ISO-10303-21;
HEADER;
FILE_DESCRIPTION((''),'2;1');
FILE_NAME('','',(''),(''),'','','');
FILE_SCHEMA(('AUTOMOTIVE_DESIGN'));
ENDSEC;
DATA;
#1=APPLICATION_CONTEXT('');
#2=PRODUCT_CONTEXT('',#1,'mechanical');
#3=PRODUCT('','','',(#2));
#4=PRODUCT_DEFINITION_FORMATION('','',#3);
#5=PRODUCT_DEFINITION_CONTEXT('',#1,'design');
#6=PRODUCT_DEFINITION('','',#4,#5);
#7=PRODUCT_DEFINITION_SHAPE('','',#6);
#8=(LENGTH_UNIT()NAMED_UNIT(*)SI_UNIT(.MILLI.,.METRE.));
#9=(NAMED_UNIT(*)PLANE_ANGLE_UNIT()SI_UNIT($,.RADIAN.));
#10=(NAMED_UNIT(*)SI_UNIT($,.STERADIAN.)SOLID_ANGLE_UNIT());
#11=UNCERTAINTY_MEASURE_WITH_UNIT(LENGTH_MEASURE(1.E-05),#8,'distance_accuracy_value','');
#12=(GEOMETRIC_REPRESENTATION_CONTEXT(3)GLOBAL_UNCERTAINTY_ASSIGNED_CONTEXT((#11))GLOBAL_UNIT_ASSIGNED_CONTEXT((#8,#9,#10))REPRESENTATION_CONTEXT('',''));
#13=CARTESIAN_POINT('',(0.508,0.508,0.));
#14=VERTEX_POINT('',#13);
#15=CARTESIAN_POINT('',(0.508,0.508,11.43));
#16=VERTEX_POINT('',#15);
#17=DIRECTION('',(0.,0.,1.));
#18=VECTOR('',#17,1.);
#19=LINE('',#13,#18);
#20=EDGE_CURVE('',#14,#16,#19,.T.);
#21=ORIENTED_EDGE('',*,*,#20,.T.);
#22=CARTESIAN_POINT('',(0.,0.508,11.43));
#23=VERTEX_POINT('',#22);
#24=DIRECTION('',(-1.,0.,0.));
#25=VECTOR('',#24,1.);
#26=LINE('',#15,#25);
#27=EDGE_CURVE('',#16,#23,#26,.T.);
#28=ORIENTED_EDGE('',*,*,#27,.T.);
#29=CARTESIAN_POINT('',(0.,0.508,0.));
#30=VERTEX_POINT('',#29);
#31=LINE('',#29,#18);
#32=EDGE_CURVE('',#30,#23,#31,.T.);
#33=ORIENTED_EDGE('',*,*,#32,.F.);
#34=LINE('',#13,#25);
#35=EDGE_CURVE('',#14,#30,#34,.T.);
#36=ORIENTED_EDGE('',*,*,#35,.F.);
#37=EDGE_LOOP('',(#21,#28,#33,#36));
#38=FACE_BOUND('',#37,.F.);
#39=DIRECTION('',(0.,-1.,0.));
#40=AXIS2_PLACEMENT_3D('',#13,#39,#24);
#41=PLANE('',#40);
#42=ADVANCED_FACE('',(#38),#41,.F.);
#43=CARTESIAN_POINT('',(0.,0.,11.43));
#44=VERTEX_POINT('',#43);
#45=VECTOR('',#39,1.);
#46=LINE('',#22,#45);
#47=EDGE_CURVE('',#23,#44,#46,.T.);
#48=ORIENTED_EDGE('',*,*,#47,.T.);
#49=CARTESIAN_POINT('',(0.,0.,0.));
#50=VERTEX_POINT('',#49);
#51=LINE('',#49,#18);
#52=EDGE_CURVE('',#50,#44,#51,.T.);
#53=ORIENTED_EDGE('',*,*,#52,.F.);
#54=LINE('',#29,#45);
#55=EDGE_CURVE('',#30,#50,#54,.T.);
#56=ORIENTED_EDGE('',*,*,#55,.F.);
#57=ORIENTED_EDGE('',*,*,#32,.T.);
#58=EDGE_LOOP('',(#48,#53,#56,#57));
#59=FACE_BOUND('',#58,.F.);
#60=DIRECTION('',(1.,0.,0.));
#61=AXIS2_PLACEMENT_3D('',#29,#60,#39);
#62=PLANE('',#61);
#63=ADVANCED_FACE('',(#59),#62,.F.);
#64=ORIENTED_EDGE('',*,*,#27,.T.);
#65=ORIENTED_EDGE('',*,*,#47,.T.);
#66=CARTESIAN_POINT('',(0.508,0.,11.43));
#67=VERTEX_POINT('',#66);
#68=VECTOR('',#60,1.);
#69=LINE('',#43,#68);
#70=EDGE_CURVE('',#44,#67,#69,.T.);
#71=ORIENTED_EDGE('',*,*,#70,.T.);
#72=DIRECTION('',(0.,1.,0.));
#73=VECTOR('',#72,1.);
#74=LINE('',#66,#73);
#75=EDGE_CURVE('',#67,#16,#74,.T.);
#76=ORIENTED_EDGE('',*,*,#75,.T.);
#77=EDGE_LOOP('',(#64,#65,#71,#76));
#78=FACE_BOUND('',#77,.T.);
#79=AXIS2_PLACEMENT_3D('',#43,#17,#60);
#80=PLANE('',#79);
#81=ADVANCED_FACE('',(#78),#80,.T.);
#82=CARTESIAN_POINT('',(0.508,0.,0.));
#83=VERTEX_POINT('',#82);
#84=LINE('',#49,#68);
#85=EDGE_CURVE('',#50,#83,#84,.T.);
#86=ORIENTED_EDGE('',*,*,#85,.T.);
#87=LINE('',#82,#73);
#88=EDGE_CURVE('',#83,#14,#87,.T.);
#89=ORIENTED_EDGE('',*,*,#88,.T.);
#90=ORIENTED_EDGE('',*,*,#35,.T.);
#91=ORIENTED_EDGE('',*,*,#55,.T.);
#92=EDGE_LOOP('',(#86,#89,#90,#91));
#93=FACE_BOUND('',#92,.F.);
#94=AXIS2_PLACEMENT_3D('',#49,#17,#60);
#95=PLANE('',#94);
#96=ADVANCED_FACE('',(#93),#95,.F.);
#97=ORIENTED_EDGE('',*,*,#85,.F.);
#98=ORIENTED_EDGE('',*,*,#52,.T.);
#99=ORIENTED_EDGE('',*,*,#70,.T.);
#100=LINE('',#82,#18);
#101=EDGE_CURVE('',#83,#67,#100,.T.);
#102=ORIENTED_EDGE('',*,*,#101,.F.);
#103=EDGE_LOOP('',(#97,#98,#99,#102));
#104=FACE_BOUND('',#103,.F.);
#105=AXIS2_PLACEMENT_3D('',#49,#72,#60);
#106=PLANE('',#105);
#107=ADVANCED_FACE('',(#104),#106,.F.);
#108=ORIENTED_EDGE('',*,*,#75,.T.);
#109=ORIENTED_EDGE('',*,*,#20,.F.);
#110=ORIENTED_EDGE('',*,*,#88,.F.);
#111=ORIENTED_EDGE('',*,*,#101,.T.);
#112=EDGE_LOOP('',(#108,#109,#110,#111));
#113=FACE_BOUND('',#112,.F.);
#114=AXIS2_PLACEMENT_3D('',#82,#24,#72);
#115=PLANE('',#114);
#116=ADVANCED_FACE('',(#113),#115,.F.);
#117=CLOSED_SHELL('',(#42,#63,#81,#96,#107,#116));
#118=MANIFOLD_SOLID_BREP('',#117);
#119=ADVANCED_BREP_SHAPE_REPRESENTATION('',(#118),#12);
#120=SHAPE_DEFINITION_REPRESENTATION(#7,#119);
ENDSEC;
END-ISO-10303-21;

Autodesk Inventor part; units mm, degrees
ref_plane "YZ Plane" through (0, 0, 0) normal (1, 0, 0) x (0, 1, 0)
ref_plane "XZ Plane" through (0, 0, 0) normal (0, 1, 0) x (-1, 0, 0)
ref_plane "XY Plane" through (0, 0, 0) normal (0, 0, 1) x (1, 0, 0)
sketch "Sketch1" plane through (0, 0, 0) normal (0, 0, 1) x (1, 0, 0)
  line L0 (0, 0) -> (0.508, 0)
  line L1 (0.508, 0) -> (0.508, 0.508)
  line L2 (0.508, 0.508) -> (0, 0.508)
  line L3 (0, 0.508) -> (0, 0)
  dimension "d0" = 0.508
  dimension "d1" = 0.508
extrude "Extrusion1" add sketch "Sketch1" along normal blind 11.43
sketch "Sketch2" plane through (0, 0, 11.43) normal (0, 0, 1) x (1, 0, 0)
  line L0 (0.508, 0) -> (0.508, 0.508) projected
  line L1 (0.508, 0.508) -> (0, 0.508) projected
  line L2 (0, 0.508) -> (0, 0) projected
  line L3 (0, 0) -> (0.508, 0) projected
  circle A0 centre (0.254, 0.254) radius 0.254
properties part number "IC_pin" material "Stainless Steel"
